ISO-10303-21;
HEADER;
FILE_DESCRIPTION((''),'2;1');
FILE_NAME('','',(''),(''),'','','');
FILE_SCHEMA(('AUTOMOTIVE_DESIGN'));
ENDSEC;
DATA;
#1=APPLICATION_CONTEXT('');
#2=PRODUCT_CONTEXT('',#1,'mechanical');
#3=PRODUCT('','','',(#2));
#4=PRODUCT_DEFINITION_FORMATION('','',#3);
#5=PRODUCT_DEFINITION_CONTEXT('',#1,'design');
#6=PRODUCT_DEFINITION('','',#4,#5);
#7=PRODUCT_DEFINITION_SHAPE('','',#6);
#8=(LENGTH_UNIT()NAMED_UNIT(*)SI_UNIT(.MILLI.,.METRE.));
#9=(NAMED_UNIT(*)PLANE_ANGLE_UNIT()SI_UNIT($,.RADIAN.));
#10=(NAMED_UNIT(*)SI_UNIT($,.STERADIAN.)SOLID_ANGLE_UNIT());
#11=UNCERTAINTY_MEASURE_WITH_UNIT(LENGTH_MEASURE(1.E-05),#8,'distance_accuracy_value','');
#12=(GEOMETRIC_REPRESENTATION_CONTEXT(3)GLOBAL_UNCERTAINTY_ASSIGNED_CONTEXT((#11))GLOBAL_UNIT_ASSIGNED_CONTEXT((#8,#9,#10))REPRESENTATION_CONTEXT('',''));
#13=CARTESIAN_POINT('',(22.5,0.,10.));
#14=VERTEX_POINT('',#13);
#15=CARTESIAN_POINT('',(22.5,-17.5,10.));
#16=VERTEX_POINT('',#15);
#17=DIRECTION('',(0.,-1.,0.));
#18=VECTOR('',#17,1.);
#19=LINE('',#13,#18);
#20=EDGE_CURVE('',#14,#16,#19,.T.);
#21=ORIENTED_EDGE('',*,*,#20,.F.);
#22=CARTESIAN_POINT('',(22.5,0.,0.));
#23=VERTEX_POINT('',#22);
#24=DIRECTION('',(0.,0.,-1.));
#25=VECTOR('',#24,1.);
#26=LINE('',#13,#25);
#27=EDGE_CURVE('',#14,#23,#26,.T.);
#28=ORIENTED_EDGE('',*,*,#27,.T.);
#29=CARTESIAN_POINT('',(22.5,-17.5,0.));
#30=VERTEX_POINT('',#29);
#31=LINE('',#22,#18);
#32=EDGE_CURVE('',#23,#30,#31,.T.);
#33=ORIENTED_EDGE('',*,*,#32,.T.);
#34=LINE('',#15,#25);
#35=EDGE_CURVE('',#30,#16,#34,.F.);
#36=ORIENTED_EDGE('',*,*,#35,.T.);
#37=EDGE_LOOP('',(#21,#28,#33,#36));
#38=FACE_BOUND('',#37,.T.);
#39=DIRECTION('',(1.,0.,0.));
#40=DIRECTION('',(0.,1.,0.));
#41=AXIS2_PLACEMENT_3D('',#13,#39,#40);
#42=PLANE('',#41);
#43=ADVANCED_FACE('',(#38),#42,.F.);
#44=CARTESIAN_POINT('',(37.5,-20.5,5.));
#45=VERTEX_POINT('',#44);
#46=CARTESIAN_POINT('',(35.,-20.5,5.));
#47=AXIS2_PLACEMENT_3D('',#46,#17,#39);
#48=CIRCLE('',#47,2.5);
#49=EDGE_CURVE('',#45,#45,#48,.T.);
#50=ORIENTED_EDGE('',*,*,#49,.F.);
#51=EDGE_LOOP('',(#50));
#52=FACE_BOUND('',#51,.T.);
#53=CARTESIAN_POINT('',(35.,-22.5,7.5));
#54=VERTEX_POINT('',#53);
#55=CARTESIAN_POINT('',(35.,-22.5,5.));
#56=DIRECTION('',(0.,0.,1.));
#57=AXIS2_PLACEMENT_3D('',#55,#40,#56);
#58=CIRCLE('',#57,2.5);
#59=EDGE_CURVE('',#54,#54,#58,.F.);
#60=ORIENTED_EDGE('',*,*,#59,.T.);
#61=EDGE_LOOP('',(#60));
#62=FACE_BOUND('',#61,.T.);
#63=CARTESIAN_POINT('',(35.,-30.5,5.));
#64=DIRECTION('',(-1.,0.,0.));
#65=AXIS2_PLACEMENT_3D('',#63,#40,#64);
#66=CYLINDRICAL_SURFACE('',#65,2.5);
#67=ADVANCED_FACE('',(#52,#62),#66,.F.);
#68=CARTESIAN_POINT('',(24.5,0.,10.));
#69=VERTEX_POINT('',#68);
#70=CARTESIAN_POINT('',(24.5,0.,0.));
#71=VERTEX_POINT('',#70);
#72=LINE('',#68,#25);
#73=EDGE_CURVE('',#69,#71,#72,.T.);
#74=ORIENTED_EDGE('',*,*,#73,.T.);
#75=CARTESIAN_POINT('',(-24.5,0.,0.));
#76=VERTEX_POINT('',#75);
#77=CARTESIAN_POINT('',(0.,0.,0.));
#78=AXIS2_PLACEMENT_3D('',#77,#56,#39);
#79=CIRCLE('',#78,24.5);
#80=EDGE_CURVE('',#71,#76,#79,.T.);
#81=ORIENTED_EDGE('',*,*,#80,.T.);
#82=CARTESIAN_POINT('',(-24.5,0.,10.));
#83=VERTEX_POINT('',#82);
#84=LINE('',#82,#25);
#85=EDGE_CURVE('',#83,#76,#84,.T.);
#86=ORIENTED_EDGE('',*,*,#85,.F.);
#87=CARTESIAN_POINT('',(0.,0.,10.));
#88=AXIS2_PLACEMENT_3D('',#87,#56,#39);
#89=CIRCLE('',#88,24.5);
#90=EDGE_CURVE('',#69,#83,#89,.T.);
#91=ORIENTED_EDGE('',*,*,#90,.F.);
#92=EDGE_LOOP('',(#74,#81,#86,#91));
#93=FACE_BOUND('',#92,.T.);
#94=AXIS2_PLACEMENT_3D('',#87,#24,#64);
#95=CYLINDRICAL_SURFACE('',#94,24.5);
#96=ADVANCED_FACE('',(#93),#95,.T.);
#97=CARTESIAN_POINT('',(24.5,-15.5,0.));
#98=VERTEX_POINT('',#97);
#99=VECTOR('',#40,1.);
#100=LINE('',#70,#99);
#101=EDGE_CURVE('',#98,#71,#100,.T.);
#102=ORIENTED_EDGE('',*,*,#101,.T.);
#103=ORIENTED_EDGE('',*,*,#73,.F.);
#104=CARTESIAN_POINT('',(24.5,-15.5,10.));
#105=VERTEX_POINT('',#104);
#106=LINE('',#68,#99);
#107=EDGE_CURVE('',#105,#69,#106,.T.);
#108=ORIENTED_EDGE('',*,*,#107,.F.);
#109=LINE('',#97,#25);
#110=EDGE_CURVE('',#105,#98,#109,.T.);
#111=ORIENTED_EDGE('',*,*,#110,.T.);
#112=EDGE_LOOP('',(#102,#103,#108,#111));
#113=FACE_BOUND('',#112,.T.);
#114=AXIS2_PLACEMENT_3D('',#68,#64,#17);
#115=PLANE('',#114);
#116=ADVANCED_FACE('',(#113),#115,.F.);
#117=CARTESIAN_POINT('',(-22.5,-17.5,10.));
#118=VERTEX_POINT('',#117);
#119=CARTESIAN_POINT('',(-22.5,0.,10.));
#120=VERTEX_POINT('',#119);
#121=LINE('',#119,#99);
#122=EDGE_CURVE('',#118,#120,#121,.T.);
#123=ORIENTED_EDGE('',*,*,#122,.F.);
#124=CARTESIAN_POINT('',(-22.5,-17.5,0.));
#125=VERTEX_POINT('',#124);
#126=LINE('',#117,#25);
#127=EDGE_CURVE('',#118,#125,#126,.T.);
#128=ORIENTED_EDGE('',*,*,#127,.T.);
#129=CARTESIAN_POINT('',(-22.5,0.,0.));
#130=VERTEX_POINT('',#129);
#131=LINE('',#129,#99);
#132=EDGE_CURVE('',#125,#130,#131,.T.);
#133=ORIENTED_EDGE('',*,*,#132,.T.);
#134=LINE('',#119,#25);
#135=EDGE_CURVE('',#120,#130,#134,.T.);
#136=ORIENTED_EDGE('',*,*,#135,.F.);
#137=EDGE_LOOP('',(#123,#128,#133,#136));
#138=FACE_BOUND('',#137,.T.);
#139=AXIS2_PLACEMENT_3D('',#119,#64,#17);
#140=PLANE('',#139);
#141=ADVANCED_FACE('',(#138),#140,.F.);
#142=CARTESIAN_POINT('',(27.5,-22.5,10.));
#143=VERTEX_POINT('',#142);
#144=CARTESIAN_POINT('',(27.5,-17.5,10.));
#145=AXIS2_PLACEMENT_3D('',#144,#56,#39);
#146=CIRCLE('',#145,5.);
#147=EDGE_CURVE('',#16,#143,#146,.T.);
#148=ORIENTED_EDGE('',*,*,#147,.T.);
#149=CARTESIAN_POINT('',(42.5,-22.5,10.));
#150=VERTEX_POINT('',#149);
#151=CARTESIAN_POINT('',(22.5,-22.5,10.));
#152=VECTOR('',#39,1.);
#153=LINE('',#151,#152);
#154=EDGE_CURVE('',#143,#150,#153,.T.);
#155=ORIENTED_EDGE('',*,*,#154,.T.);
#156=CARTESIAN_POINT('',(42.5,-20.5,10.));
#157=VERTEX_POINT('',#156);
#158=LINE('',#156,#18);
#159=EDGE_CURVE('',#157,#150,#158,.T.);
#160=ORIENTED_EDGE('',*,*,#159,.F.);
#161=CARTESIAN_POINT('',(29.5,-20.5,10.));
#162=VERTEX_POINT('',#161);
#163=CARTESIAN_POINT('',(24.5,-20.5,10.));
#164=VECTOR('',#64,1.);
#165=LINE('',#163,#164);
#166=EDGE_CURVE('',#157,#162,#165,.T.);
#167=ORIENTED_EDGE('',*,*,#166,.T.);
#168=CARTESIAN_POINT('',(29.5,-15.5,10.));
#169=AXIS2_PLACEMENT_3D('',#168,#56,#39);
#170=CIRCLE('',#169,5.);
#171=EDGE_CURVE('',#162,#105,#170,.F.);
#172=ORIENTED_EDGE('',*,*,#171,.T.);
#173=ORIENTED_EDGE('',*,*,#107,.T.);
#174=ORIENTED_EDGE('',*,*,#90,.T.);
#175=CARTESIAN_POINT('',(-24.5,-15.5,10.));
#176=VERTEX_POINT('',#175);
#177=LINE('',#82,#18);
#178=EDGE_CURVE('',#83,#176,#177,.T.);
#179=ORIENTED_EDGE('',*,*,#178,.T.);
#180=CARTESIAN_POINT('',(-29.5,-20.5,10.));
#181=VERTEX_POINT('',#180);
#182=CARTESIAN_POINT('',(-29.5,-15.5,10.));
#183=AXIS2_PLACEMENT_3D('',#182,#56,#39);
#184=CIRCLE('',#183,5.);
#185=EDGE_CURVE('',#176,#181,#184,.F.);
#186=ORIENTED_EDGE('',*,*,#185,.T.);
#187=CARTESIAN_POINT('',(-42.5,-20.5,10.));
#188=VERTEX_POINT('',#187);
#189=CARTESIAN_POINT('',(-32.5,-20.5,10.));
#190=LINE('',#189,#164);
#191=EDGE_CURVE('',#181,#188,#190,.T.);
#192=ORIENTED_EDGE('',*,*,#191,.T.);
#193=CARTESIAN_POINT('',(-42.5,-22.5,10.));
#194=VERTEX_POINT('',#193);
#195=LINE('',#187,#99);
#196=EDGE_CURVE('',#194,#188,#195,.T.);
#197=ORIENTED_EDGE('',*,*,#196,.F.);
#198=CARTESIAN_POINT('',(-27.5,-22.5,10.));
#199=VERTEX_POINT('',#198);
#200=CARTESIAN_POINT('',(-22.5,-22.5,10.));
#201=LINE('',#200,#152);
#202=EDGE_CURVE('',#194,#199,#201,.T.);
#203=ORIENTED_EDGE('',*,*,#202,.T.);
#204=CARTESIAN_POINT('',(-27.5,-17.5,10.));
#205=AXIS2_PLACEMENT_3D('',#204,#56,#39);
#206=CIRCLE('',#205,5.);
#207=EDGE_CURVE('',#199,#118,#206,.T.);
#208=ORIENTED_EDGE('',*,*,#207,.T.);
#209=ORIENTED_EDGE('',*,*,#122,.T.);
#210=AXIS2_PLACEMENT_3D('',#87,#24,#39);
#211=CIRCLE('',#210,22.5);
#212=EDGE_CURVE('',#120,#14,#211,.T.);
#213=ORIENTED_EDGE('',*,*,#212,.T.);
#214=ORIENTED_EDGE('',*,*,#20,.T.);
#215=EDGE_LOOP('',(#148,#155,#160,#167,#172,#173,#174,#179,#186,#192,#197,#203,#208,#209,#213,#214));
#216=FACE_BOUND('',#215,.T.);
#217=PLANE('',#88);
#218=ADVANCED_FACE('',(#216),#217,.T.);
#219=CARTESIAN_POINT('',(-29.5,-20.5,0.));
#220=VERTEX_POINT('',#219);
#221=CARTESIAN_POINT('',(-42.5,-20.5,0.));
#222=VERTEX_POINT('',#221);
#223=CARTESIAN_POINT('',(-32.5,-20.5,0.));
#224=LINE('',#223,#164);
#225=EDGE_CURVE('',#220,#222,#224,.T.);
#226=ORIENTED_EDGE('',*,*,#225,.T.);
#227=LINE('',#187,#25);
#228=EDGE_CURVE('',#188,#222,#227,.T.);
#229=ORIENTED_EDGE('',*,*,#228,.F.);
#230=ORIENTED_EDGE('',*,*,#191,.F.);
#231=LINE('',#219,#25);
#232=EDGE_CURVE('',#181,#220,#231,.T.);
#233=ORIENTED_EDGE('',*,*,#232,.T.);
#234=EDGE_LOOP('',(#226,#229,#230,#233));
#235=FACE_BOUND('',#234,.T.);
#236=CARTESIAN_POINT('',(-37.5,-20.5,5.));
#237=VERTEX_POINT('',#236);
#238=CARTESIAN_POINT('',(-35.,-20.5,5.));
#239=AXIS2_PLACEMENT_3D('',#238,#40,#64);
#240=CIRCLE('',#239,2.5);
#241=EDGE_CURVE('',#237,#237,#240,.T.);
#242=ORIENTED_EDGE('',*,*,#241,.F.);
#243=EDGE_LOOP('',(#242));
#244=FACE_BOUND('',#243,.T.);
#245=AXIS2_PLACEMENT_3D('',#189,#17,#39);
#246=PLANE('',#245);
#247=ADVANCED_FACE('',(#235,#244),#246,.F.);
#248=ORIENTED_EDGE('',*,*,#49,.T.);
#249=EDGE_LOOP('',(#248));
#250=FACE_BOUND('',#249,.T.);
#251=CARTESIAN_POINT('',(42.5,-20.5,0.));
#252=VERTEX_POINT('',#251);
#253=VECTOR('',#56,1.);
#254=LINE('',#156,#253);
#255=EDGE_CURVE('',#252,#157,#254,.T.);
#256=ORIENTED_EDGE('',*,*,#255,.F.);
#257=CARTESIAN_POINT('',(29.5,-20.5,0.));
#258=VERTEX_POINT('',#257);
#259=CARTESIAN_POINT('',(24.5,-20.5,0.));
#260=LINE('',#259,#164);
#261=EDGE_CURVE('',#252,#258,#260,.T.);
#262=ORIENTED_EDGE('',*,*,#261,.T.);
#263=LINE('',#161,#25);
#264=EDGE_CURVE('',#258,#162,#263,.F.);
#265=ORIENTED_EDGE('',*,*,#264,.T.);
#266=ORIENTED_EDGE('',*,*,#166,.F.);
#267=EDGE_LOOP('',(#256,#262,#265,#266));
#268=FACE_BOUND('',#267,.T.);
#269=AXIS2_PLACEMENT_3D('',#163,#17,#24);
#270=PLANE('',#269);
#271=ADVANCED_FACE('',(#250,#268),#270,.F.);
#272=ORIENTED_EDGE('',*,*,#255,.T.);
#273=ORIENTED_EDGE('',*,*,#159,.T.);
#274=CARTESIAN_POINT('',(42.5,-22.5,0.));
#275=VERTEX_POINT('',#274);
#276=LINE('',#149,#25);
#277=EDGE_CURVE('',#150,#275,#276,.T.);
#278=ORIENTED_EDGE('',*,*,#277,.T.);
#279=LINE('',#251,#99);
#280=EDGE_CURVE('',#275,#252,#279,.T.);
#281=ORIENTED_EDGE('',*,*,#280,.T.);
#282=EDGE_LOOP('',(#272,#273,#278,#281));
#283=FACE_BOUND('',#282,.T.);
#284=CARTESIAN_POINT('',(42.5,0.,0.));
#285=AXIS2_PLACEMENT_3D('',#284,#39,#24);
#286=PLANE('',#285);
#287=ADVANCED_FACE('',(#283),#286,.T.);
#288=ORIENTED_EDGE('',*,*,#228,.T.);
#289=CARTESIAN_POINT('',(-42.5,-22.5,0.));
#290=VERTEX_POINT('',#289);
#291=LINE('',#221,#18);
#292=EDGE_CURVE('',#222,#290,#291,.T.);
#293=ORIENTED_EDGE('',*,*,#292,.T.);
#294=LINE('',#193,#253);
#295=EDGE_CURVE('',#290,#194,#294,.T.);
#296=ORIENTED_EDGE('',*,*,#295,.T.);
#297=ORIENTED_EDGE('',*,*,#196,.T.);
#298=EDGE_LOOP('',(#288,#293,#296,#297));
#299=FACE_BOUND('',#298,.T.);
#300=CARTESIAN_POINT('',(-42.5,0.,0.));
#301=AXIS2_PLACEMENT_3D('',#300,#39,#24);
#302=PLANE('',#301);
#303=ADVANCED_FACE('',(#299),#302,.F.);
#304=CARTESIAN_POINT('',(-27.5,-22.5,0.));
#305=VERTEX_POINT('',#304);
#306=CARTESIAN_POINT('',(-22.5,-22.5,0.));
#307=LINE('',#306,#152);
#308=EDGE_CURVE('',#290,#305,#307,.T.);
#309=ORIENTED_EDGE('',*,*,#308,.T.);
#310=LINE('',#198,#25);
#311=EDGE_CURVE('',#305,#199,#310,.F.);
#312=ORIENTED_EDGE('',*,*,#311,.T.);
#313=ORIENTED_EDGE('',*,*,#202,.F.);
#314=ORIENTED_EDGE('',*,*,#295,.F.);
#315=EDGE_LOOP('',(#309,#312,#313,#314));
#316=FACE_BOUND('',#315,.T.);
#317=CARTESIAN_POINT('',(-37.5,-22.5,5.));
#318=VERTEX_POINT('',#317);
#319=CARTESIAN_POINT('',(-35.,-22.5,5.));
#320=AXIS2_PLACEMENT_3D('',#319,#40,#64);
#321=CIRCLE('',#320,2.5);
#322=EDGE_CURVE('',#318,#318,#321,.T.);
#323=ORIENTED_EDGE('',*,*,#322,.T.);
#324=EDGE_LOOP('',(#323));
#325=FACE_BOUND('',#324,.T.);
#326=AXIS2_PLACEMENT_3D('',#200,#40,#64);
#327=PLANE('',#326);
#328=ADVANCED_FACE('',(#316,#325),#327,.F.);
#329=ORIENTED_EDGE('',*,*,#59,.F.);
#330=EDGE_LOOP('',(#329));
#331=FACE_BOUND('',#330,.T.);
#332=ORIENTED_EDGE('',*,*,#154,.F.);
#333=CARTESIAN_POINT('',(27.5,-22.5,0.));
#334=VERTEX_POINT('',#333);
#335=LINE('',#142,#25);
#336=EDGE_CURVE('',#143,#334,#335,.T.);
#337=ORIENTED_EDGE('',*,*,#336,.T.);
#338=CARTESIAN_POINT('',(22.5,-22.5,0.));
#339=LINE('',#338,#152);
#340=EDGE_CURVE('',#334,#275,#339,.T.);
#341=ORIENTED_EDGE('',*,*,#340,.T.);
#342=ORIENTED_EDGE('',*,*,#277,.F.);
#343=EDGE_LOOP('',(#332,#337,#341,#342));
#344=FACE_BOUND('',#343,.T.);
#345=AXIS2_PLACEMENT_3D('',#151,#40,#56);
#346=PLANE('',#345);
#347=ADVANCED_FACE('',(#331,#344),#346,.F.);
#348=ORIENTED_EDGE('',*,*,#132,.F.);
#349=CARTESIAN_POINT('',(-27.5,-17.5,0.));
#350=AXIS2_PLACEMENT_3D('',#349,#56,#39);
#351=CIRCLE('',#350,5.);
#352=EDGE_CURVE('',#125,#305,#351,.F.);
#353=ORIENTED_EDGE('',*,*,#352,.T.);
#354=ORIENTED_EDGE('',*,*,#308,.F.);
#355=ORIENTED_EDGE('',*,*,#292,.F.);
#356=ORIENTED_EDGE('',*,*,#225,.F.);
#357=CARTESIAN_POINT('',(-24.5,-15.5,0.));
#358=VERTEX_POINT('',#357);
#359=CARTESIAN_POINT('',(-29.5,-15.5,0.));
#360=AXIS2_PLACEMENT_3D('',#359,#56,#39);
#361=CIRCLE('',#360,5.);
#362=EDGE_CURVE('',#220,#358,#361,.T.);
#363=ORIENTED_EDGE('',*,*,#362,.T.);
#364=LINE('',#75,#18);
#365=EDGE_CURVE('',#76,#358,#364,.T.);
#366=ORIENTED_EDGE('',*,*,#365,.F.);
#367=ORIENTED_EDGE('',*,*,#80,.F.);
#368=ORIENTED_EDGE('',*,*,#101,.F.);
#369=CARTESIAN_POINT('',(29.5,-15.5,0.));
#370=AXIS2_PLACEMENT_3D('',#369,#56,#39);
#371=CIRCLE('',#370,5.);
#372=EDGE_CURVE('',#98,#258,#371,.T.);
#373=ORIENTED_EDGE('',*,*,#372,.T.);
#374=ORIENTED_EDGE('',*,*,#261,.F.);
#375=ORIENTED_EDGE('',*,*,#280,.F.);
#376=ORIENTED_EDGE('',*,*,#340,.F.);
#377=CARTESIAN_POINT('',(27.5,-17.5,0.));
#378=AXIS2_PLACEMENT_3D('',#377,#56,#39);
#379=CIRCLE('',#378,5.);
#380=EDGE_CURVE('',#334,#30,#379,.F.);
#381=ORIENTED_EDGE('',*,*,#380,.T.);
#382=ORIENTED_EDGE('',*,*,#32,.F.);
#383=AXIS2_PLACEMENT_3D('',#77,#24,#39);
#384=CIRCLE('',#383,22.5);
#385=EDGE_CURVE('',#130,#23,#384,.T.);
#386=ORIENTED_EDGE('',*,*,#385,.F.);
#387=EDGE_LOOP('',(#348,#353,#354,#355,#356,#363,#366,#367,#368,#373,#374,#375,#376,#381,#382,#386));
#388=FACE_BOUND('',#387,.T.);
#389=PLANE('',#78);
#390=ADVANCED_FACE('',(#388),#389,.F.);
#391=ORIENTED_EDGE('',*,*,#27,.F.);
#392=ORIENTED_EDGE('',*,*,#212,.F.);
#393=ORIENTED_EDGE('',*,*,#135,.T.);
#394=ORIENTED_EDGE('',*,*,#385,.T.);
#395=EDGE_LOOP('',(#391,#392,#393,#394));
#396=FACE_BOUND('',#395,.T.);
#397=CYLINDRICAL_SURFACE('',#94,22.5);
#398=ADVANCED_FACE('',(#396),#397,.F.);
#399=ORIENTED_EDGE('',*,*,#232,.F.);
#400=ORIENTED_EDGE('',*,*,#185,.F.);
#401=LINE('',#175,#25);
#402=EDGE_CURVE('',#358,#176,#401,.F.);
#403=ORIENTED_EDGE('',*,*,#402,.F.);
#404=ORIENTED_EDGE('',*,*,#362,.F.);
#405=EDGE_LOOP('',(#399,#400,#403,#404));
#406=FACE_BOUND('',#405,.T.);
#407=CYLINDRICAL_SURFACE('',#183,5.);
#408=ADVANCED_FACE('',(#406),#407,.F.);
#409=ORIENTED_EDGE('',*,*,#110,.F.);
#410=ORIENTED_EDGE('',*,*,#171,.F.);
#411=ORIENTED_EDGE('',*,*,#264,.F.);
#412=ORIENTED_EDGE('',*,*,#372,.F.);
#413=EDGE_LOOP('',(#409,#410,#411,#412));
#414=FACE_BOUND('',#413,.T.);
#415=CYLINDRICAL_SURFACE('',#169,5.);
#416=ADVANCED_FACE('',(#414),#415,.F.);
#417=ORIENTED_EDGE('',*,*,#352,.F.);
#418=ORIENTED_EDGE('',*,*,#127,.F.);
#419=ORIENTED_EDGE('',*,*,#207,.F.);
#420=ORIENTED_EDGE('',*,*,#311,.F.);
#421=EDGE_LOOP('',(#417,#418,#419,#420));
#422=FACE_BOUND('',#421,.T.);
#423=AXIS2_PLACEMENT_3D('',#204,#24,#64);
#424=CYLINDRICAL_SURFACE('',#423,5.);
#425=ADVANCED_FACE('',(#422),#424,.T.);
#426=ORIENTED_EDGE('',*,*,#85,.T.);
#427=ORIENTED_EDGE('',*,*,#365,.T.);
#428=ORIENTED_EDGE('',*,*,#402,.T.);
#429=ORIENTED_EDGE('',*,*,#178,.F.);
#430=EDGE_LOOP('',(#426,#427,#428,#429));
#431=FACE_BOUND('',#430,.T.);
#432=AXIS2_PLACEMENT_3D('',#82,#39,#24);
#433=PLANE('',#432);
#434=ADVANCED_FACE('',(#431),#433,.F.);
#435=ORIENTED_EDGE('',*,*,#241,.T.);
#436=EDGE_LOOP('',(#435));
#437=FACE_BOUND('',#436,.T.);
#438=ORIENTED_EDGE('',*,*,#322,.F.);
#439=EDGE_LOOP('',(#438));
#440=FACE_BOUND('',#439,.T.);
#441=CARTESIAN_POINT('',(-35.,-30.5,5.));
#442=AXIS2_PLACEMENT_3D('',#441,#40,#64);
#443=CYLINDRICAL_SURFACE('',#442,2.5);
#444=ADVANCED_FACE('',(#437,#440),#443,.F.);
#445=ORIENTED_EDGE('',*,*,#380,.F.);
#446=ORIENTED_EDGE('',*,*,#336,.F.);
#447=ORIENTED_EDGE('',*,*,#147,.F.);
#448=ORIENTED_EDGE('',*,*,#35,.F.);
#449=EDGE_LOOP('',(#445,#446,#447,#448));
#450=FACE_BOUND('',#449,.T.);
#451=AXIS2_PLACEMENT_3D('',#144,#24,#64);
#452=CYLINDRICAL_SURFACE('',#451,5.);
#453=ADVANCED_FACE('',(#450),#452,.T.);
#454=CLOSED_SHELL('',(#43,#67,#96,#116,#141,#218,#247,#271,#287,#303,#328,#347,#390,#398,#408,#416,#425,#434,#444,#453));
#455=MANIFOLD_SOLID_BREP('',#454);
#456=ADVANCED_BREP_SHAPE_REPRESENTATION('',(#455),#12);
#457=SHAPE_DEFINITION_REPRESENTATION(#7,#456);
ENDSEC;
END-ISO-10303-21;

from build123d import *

# Parameters (mm, degrees)
BOSS_EXTRUDE1_DEPTH = 10
FILLET11_R          = 5
FILLET12_R          = 5
FILLET13_R          = 5
SKETCH7_W           = 10
SKETCH7_H           = 2
BOSS_EXTRUDE5_DEPTH = 10
SKETCH8_W           = 10
SKETCH8_H           = 2
BOSS_EXTRUDE6_DEPTH = 10
SKETCH9_R           = 2.5
CUT_EXTRUDE2_DEPTH  = 10


with BuildPart() as part:
    # Sketch2 → Boss-Extrude1 (new body)
    with BuildSketch(Plane.XY):
        with BuildLine():
            Line((24.5, -20.5), (32.5, -20.5))
            Line((32.5, -20.5), (32.5, -22.5))
            Line((32.5, -22.5), (22.5, -22.5))
            Line((22.5, -22.5), (22.5, 0))
            ThreePointArc((22.5, 0), (0, 22.5), (-22.5, 0))
            Line((-22.5, 0), (-22.5, -22.5))
            Line((-22.5, -22.5), (-32.5, -22.5))
            Line((-32.5, -22.5), (-32.5, -20.5))
            Line((-32.5, -20.5), (-24.5, -20.5))
            Line((-24.5, -20.5), (-24.5, 0))
            ThreePointArc((-24.5, 0), (0, 24.5), (24.5, 0))
            Line((24.5, 0), (24.5, -20.5))
        make_face()
    extrude(amount=BOSS_EXTRUDE1_DEPTH)

    # Fillet11
    fillet11_edges = [part.edges().sort_by_distance(p)[0] for p in [
        (-22.5, -22.5, 5),
    ]]
    fillet(fillet11_edges, radius=FILLET11_R)

    # Fillet12
    fillet12_edges = [part.edges().sort_by_distance(p)[0] for p in [
        (-24.5, -20.5, 5),
    ]]
    fillet(fillet12_edges, radius=FILLET12_R)

    # Fillet13
    fillet13_edges = [part.edges().sort_by_distance(p)[0] for p in [
        (24.5, -20.5, 5),
        (22.5, -22.5, 5),
    ]]
    fillet(fillet13_edges, radius=FILLET13_R)

    # Sketch7 → Boss-Extrude5 (add)
    with BuildSketch(Plane(origin=(32.5, 0, 0), x_dir=(0, 0, -1), z_dir=(1, 0, 0))):
        with Locations((-5, -21.5)):
            Rectangle(SKETCH7_W, SKETCH7_H)
    extrude(amount=BOSS_EXTRUDE5_DEPTH)

    # Sketch8 → Boss-Extrude6 (add)
    with BuildSketch(Plane.ZY.offset(32.5)):
        with Locations((5, -21.5)):
            Rectangle(SKETCH8_W, SKETCH8_H)
    extrude(amount=BOSS_EXTRUDE6_DEPTH)

    # Sketch9 → Cut-Extrude2 (cut)
    with BuildSketch(Plane(origin=(0, -20.5, 0), x_dir=(1, 0, 0), z_dir=(0, 1, 0))):
        with Locations(Location((-35, -5, 0), (0, 0, 180))):
            Circle(SKETCH9_R)
    cut_extrude2 = extrude(amount=-CUT_EXTRUDE2_DEPTH, mode=Mode.SUBTRACT)

    # Mirror2: Cut-Extrude2 across plane
    add(cut_extrude2.mirror(Plane(origin=(0, 0, 0), x_dir=(0, 0, 1), z_dir=(1, 0, 0))), mode=Mode.SUBTRACT)


solid = part.part
